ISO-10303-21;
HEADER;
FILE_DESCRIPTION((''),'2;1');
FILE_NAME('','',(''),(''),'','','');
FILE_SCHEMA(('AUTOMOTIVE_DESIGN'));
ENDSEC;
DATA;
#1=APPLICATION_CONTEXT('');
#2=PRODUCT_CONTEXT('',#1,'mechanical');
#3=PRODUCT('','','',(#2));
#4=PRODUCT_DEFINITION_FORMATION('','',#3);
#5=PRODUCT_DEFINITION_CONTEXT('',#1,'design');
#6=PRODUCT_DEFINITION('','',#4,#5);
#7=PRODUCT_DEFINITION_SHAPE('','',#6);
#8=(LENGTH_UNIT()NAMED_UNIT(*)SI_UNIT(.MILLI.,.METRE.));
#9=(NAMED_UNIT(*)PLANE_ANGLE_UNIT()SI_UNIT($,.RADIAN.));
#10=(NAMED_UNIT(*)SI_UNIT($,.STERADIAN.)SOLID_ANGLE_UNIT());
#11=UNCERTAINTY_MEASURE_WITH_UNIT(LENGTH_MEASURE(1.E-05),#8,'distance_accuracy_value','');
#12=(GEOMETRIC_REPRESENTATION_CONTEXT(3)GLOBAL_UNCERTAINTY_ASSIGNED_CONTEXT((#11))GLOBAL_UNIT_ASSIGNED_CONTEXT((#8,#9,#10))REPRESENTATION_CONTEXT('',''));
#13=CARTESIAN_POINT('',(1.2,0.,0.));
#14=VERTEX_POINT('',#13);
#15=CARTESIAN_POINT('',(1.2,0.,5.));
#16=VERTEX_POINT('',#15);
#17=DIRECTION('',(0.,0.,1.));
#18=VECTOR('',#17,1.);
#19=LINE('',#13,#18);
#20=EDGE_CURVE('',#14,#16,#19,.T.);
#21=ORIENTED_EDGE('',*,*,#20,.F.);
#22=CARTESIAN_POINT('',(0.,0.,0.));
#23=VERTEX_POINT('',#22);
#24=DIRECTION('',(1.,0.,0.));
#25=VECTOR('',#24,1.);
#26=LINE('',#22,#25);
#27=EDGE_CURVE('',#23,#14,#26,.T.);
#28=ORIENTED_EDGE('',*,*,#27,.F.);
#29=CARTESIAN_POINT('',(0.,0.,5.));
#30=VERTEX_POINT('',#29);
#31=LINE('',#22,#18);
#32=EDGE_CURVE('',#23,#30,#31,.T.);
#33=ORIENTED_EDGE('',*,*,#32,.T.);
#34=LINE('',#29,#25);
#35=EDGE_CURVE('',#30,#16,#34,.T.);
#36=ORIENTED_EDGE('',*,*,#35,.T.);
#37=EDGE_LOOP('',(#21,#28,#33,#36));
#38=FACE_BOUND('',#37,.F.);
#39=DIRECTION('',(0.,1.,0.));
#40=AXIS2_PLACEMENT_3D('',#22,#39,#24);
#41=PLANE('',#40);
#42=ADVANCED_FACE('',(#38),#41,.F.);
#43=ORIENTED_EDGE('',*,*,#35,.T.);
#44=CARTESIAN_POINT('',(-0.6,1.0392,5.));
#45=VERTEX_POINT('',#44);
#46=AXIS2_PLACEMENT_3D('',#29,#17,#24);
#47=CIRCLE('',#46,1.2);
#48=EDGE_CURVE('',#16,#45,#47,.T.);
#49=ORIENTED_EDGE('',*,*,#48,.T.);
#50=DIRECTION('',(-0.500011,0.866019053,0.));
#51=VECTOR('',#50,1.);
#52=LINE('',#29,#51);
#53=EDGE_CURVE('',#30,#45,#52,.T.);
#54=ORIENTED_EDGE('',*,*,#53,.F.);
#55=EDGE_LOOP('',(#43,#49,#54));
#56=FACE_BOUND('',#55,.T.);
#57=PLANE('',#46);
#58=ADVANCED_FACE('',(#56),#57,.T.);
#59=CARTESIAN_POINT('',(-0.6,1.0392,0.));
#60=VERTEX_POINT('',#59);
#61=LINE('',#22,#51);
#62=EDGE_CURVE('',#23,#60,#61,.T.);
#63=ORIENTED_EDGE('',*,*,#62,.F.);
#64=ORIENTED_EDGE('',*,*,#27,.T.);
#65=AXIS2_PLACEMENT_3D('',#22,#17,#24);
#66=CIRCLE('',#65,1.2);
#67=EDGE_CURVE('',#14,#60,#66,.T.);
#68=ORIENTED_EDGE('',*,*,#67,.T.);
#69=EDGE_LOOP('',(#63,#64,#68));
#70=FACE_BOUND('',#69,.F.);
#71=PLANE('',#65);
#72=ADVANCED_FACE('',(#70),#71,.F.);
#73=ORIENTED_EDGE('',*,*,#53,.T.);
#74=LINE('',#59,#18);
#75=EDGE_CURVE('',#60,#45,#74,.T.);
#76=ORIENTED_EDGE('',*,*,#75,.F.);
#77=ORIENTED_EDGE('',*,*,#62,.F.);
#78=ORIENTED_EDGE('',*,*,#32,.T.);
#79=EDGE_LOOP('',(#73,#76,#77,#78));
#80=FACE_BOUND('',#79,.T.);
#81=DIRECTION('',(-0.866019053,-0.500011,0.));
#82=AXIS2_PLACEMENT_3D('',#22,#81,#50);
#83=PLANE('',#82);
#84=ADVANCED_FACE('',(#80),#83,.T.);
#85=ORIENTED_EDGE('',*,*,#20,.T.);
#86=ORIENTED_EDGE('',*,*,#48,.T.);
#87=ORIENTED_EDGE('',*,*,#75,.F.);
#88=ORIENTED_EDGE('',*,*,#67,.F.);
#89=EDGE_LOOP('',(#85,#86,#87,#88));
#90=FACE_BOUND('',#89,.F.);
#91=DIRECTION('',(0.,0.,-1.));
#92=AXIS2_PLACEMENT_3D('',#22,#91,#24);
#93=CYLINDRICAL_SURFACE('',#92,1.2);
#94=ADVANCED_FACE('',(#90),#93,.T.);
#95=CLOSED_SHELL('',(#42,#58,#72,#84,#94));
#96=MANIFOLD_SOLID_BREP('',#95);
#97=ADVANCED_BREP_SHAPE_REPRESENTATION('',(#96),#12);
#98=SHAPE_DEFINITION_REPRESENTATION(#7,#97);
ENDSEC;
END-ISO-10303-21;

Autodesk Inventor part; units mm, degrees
ref_plane "YZ Plane" through (0, 0, 0) normal (1, 0, 0) x (0, 1, 0)
ref_plane "XZ Plane" through (0, 0, 0) normal (0, 1, 0) x (-1, 0, 0)
ref_plane "XY Plane" through (0, 0, 0) normal (0, 0, 1) x (1, 0, 0)
sketch "Sketch1" plane through (0, 0, 0) normal (0, 0, 1) x (1, 0, 0)
  line L0 (0, 0) -> (1.2, 0)
  line L1 (0, 0) -> (-0.6, 1.0392)
  line L2 (0, 0) -> (1.2, 0) construction
  circle A0 centre (0, 0) radius 1.2
  dimension "d0" = 1.2
  dimension "d1" = 1.2
  dimension "d2" = 120
  dimension "d3" = 2.4
extrude "Extrusion1" add sketch "Sketch1" along normal blind 5 contours L1 A0 L0 picked at (-0.138, 0.7825)
properties part number "Epoxy" material "Acetal Resin, Black"
